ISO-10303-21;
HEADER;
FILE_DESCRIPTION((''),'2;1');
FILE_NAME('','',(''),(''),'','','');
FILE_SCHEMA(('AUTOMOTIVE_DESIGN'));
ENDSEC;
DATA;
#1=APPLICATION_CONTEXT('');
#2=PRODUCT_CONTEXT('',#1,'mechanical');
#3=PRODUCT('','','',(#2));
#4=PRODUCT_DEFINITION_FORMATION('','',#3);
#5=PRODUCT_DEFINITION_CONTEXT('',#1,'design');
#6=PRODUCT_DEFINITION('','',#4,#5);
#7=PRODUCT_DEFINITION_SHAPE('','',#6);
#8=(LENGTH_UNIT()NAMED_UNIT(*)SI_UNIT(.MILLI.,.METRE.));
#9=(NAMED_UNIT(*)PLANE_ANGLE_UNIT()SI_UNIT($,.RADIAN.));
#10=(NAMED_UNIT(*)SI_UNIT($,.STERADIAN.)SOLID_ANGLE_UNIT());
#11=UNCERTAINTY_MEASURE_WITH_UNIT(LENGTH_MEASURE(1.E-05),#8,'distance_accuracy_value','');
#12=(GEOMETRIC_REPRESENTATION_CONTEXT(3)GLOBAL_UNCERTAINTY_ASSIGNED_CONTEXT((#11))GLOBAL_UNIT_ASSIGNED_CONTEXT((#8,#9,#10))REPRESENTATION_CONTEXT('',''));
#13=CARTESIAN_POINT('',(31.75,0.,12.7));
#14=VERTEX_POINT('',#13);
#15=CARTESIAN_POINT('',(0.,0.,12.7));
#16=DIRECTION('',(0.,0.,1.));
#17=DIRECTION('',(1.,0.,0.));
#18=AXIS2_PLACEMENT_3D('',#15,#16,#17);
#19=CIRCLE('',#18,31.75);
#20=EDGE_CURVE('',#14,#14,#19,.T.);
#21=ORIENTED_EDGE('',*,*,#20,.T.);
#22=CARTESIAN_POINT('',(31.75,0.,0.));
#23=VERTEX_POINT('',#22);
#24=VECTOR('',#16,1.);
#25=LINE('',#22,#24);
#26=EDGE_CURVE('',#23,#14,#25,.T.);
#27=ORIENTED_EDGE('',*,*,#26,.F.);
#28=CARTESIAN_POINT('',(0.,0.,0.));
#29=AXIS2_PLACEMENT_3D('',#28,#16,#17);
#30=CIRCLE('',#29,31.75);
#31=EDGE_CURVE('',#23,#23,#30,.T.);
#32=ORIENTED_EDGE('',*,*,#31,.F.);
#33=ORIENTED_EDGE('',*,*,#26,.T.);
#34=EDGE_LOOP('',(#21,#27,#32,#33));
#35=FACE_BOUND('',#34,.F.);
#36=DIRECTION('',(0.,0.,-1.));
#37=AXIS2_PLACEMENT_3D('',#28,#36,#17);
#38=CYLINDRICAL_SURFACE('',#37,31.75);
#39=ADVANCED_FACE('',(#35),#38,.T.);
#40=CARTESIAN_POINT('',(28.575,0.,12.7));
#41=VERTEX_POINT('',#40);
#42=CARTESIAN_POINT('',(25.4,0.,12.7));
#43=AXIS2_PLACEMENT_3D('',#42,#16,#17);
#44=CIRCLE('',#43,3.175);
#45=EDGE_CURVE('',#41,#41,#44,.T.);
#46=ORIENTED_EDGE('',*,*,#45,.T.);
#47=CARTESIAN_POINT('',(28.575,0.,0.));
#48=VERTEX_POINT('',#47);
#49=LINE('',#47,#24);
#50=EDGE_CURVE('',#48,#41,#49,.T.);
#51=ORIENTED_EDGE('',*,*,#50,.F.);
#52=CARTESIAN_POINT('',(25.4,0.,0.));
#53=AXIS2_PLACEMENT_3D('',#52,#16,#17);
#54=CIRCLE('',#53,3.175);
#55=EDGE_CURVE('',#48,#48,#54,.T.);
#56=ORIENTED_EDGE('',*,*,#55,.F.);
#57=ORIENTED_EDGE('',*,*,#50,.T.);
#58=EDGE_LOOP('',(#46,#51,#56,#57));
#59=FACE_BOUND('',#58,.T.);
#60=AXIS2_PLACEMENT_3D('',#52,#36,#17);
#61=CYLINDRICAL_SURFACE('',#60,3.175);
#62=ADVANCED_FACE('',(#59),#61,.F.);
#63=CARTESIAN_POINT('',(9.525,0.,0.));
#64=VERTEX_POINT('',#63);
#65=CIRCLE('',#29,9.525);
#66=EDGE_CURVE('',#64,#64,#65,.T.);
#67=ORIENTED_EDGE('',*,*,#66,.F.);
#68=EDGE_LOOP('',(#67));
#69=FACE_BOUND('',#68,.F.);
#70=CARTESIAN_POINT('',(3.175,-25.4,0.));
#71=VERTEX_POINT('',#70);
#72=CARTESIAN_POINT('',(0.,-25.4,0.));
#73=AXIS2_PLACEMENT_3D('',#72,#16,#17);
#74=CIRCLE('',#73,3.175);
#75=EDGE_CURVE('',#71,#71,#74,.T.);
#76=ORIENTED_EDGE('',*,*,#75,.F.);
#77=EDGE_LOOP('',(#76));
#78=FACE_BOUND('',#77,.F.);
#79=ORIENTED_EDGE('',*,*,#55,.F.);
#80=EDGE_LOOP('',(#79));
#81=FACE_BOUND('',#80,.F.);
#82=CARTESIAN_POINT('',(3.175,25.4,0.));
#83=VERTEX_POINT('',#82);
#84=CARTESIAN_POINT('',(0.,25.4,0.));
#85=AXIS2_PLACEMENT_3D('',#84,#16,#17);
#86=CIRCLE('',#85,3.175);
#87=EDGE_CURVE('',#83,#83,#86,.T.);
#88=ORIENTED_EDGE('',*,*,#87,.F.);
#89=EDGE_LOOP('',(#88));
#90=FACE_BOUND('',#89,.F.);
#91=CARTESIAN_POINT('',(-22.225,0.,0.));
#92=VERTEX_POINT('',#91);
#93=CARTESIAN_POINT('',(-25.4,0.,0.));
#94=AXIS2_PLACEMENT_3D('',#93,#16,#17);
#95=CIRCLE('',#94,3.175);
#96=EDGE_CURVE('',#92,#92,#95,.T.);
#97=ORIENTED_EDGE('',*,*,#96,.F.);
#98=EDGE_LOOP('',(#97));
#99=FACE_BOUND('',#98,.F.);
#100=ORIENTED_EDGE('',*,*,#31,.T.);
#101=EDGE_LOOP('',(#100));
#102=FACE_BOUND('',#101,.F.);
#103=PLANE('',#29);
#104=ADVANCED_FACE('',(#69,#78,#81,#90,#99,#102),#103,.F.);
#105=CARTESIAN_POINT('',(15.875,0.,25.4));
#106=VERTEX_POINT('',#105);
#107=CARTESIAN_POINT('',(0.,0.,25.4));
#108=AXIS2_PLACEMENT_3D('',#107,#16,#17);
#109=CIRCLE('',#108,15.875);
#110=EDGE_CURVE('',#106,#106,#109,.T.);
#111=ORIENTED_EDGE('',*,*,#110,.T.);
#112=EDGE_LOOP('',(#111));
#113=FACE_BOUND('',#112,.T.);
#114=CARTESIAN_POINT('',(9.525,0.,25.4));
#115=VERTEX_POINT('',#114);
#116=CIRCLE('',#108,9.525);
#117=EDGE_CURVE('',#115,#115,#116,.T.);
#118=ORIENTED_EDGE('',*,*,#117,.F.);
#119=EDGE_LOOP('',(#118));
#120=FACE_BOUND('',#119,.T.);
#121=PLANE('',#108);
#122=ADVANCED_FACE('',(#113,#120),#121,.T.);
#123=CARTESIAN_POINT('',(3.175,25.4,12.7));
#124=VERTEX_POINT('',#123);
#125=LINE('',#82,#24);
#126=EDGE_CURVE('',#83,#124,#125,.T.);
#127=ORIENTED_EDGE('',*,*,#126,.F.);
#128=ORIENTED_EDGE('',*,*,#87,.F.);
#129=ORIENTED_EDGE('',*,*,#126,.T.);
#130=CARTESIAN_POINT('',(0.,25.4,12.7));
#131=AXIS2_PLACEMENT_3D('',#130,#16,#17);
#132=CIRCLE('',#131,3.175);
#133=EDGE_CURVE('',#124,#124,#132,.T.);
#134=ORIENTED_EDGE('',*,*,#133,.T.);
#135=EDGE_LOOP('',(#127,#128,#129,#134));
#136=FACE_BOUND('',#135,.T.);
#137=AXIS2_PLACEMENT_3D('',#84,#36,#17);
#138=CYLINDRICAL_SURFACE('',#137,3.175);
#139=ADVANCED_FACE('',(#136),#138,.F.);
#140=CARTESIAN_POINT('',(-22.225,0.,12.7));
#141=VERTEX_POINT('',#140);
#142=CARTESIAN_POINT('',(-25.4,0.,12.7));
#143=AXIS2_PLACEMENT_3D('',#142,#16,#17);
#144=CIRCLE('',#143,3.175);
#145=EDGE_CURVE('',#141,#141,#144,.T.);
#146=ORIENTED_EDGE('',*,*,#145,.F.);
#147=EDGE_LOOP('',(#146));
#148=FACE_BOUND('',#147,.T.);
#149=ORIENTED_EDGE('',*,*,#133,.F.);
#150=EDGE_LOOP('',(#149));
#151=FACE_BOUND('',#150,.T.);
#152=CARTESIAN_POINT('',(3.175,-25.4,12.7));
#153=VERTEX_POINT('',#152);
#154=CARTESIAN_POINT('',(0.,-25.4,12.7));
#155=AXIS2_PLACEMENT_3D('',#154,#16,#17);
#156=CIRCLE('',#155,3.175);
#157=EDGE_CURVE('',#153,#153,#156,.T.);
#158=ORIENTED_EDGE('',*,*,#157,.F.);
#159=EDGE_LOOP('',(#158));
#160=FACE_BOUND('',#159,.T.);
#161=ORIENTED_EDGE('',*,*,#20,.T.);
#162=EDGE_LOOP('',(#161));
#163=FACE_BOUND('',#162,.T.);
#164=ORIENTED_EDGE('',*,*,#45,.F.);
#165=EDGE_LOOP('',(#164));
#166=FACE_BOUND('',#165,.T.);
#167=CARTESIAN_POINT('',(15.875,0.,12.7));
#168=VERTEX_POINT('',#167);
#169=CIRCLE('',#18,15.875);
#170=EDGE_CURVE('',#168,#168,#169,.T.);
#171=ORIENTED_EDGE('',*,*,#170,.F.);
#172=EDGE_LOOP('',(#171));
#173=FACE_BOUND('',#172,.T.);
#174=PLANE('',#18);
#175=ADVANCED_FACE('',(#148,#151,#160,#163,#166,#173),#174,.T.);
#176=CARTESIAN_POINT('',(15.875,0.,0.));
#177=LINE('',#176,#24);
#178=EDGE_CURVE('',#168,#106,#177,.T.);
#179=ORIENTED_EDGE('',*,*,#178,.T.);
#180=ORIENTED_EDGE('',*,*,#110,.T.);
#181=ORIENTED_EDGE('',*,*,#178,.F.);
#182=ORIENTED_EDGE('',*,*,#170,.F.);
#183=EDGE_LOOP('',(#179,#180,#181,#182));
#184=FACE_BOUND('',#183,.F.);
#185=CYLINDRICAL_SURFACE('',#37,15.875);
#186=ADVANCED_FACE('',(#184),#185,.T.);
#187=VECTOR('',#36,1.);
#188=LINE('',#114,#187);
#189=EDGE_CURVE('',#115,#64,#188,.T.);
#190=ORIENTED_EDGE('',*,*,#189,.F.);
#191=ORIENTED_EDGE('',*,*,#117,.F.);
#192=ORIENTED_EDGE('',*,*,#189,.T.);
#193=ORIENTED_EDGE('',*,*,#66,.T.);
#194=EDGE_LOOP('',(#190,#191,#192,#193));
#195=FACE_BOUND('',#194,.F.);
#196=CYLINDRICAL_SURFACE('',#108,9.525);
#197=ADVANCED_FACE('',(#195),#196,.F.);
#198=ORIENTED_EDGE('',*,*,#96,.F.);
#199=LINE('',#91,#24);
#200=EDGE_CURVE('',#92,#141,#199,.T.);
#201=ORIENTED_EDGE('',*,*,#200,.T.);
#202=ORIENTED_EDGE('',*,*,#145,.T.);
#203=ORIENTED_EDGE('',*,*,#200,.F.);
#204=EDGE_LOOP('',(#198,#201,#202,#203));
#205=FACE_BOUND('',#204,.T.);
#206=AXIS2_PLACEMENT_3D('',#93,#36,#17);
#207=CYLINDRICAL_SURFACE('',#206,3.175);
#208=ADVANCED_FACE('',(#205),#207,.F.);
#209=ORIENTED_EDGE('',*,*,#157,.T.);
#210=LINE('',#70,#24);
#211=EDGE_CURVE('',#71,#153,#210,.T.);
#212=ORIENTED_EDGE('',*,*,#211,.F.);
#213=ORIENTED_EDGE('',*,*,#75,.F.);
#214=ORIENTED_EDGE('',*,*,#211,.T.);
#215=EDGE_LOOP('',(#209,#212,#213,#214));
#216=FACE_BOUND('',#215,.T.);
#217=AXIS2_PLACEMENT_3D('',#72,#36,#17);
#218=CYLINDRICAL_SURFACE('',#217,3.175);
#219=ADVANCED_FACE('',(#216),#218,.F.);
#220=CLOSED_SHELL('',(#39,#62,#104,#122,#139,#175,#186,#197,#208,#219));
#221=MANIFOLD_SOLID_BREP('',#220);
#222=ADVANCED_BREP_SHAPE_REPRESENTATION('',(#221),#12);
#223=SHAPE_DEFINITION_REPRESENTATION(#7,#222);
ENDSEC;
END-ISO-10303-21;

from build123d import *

# Parameters (mm, degrees)
F0_R     = 31.75
F0_R_2   = 3.175
F0_R_3   = 15.875
F1_DEPTH = 12.7
F2_DEPTH = 25.4
F3_R     = 9.525
F4_DEPTH = 25.401


with BuildPart() as f1:
    # F0 (on Top) → F1 (new body)
    with BuildSketch(Plane.XY):
        Circle(F0_R)
        with Locations((0, -25.4)):
            Circle(F0_R_2, mode=Mode.SUBTRACT)
        with Locations((-25.4, 0)):
            Circle(F0_R_2, mode=Mode.SUBTRACT)
        Circle(F0_R_3, mode=Mode.SUBTRACT)
        with Locations((25.4, 0)):
            Circle(F0_R_2, mode=Mode.SUBTRACT)
        with Locations((0, 25.4)):
            Circle(F0_R_2, mode=Mode.SUBTRACT)
    extrude(amount=F1_DEPTH)

    # F0 (on Top) → F2 (join)
    with BuildSketch(Plane.XY):
        Circle(F0_R_3)
    extrude(amount=F2_DEPTH)

    # F3 (on face) → F4 (cut, through all)
    with BuildSketch(Plane.XY.offset(25.4)):
        Circle(F3_R)
    extrude(amount=-F4_DEPTH, mode=Mode.SUBTRACT)


solid = f1.part
